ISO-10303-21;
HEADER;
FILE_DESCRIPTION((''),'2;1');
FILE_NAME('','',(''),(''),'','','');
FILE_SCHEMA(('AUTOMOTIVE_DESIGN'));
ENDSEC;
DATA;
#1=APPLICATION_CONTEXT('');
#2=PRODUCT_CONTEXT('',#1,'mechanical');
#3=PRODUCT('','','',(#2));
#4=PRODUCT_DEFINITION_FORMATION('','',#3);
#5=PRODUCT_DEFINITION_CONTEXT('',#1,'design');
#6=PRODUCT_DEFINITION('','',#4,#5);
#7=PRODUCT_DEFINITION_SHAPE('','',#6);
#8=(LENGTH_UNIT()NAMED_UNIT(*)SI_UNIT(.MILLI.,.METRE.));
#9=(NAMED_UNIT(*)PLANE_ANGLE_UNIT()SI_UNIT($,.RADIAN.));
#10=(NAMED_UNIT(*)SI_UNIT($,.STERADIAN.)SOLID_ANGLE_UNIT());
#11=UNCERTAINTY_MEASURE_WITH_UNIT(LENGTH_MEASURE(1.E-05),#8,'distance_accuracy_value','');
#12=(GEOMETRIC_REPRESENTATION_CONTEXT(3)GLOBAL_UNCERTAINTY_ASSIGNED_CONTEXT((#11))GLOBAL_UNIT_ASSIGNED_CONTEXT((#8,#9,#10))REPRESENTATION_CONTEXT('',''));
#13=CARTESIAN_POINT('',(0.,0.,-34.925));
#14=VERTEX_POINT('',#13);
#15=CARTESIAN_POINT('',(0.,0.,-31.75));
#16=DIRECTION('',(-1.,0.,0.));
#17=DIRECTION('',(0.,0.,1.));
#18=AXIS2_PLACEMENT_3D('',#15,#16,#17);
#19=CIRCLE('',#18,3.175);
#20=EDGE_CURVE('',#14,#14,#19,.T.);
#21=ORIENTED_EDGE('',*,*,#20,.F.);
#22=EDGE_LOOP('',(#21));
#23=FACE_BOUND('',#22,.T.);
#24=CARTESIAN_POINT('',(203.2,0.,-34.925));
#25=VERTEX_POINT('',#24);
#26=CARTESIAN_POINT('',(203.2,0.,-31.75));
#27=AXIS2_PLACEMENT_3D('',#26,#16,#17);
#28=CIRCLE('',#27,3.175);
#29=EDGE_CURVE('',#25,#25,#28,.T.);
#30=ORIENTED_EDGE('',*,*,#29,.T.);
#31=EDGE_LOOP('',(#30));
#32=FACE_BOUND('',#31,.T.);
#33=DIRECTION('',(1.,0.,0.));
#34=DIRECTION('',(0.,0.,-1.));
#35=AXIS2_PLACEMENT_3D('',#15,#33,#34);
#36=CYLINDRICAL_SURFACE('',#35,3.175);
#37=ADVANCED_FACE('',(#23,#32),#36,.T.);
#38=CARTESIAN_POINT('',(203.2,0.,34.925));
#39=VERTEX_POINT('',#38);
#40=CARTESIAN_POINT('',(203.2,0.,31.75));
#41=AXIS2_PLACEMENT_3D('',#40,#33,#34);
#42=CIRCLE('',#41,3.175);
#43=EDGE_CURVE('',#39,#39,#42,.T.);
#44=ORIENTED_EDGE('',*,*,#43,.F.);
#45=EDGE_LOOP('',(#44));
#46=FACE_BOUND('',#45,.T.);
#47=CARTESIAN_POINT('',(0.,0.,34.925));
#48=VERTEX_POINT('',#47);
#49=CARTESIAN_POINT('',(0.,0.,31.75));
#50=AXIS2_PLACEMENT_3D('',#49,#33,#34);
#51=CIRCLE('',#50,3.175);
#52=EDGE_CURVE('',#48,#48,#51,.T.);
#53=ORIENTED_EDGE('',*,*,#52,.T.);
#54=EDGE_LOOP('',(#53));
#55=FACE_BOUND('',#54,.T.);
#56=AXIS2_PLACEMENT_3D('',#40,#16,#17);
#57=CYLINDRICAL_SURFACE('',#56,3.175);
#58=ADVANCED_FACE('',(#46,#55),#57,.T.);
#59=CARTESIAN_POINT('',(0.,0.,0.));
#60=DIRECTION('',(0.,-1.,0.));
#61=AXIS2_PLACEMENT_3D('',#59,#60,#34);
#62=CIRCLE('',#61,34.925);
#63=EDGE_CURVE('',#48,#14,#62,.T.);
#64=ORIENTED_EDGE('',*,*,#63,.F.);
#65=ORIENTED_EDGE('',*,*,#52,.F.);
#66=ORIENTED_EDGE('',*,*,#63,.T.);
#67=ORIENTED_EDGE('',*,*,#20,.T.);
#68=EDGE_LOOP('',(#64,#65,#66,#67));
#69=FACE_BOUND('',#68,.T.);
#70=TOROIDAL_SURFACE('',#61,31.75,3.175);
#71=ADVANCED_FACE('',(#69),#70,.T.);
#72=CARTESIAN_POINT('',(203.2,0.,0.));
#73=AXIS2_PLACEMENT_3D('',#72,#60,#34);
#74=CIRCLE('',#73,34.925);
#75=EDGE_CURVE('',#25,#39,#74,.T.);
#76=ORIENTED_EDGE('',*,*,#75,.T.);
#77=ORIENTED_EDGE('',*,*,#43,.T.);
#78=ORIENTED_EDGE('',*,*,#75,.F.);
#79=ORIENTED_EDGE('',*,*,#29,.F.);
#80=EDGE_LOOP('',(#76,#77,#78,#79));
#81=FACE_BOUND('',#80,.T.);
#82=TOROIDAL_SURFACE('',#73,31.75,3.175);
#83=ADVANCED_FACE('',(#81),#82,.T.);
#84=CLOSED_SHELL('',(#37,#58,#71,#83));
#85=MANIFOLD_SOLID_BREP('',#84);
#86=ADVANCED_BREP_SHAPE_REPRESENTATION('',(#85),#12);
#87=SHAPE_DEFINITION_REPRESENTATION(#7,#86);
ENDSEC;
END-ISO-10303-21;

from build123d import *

# Parameters (mm, degrees)
SKETCH2_R = 3.175


with BuildPart() as part:
    # Sweep1: sweep along a path in Sketch1
    with BuildLine(Plane(origin=(0, 0, 0), x_dir=(1, 0, 0), z_dir=(0, 1, 0))) as sweep1_path:
        Line((0, 31.75), (203.2, 31.75))
        ThreePointArc((203.2, 31.75), (234.95, 0), (203.2, -31.75))
        Line((203.2, -31.75), (0, -31.75))
        ThreePointArc((0, -31.75), (-31.75, 0), (0, 31.75))
    # Sketch2 → Sweep1 (sweep)
    with BuildSketch(Plane(origin=(0, 0, 0), x_dir=(0, 0, -1), z_dir=(1, 0, 0))):
        with Locations((-31.75, 0)):
            Circle(SKETCH2_R)
    sweep(path=sweep1_path.line)


solid = part.part
